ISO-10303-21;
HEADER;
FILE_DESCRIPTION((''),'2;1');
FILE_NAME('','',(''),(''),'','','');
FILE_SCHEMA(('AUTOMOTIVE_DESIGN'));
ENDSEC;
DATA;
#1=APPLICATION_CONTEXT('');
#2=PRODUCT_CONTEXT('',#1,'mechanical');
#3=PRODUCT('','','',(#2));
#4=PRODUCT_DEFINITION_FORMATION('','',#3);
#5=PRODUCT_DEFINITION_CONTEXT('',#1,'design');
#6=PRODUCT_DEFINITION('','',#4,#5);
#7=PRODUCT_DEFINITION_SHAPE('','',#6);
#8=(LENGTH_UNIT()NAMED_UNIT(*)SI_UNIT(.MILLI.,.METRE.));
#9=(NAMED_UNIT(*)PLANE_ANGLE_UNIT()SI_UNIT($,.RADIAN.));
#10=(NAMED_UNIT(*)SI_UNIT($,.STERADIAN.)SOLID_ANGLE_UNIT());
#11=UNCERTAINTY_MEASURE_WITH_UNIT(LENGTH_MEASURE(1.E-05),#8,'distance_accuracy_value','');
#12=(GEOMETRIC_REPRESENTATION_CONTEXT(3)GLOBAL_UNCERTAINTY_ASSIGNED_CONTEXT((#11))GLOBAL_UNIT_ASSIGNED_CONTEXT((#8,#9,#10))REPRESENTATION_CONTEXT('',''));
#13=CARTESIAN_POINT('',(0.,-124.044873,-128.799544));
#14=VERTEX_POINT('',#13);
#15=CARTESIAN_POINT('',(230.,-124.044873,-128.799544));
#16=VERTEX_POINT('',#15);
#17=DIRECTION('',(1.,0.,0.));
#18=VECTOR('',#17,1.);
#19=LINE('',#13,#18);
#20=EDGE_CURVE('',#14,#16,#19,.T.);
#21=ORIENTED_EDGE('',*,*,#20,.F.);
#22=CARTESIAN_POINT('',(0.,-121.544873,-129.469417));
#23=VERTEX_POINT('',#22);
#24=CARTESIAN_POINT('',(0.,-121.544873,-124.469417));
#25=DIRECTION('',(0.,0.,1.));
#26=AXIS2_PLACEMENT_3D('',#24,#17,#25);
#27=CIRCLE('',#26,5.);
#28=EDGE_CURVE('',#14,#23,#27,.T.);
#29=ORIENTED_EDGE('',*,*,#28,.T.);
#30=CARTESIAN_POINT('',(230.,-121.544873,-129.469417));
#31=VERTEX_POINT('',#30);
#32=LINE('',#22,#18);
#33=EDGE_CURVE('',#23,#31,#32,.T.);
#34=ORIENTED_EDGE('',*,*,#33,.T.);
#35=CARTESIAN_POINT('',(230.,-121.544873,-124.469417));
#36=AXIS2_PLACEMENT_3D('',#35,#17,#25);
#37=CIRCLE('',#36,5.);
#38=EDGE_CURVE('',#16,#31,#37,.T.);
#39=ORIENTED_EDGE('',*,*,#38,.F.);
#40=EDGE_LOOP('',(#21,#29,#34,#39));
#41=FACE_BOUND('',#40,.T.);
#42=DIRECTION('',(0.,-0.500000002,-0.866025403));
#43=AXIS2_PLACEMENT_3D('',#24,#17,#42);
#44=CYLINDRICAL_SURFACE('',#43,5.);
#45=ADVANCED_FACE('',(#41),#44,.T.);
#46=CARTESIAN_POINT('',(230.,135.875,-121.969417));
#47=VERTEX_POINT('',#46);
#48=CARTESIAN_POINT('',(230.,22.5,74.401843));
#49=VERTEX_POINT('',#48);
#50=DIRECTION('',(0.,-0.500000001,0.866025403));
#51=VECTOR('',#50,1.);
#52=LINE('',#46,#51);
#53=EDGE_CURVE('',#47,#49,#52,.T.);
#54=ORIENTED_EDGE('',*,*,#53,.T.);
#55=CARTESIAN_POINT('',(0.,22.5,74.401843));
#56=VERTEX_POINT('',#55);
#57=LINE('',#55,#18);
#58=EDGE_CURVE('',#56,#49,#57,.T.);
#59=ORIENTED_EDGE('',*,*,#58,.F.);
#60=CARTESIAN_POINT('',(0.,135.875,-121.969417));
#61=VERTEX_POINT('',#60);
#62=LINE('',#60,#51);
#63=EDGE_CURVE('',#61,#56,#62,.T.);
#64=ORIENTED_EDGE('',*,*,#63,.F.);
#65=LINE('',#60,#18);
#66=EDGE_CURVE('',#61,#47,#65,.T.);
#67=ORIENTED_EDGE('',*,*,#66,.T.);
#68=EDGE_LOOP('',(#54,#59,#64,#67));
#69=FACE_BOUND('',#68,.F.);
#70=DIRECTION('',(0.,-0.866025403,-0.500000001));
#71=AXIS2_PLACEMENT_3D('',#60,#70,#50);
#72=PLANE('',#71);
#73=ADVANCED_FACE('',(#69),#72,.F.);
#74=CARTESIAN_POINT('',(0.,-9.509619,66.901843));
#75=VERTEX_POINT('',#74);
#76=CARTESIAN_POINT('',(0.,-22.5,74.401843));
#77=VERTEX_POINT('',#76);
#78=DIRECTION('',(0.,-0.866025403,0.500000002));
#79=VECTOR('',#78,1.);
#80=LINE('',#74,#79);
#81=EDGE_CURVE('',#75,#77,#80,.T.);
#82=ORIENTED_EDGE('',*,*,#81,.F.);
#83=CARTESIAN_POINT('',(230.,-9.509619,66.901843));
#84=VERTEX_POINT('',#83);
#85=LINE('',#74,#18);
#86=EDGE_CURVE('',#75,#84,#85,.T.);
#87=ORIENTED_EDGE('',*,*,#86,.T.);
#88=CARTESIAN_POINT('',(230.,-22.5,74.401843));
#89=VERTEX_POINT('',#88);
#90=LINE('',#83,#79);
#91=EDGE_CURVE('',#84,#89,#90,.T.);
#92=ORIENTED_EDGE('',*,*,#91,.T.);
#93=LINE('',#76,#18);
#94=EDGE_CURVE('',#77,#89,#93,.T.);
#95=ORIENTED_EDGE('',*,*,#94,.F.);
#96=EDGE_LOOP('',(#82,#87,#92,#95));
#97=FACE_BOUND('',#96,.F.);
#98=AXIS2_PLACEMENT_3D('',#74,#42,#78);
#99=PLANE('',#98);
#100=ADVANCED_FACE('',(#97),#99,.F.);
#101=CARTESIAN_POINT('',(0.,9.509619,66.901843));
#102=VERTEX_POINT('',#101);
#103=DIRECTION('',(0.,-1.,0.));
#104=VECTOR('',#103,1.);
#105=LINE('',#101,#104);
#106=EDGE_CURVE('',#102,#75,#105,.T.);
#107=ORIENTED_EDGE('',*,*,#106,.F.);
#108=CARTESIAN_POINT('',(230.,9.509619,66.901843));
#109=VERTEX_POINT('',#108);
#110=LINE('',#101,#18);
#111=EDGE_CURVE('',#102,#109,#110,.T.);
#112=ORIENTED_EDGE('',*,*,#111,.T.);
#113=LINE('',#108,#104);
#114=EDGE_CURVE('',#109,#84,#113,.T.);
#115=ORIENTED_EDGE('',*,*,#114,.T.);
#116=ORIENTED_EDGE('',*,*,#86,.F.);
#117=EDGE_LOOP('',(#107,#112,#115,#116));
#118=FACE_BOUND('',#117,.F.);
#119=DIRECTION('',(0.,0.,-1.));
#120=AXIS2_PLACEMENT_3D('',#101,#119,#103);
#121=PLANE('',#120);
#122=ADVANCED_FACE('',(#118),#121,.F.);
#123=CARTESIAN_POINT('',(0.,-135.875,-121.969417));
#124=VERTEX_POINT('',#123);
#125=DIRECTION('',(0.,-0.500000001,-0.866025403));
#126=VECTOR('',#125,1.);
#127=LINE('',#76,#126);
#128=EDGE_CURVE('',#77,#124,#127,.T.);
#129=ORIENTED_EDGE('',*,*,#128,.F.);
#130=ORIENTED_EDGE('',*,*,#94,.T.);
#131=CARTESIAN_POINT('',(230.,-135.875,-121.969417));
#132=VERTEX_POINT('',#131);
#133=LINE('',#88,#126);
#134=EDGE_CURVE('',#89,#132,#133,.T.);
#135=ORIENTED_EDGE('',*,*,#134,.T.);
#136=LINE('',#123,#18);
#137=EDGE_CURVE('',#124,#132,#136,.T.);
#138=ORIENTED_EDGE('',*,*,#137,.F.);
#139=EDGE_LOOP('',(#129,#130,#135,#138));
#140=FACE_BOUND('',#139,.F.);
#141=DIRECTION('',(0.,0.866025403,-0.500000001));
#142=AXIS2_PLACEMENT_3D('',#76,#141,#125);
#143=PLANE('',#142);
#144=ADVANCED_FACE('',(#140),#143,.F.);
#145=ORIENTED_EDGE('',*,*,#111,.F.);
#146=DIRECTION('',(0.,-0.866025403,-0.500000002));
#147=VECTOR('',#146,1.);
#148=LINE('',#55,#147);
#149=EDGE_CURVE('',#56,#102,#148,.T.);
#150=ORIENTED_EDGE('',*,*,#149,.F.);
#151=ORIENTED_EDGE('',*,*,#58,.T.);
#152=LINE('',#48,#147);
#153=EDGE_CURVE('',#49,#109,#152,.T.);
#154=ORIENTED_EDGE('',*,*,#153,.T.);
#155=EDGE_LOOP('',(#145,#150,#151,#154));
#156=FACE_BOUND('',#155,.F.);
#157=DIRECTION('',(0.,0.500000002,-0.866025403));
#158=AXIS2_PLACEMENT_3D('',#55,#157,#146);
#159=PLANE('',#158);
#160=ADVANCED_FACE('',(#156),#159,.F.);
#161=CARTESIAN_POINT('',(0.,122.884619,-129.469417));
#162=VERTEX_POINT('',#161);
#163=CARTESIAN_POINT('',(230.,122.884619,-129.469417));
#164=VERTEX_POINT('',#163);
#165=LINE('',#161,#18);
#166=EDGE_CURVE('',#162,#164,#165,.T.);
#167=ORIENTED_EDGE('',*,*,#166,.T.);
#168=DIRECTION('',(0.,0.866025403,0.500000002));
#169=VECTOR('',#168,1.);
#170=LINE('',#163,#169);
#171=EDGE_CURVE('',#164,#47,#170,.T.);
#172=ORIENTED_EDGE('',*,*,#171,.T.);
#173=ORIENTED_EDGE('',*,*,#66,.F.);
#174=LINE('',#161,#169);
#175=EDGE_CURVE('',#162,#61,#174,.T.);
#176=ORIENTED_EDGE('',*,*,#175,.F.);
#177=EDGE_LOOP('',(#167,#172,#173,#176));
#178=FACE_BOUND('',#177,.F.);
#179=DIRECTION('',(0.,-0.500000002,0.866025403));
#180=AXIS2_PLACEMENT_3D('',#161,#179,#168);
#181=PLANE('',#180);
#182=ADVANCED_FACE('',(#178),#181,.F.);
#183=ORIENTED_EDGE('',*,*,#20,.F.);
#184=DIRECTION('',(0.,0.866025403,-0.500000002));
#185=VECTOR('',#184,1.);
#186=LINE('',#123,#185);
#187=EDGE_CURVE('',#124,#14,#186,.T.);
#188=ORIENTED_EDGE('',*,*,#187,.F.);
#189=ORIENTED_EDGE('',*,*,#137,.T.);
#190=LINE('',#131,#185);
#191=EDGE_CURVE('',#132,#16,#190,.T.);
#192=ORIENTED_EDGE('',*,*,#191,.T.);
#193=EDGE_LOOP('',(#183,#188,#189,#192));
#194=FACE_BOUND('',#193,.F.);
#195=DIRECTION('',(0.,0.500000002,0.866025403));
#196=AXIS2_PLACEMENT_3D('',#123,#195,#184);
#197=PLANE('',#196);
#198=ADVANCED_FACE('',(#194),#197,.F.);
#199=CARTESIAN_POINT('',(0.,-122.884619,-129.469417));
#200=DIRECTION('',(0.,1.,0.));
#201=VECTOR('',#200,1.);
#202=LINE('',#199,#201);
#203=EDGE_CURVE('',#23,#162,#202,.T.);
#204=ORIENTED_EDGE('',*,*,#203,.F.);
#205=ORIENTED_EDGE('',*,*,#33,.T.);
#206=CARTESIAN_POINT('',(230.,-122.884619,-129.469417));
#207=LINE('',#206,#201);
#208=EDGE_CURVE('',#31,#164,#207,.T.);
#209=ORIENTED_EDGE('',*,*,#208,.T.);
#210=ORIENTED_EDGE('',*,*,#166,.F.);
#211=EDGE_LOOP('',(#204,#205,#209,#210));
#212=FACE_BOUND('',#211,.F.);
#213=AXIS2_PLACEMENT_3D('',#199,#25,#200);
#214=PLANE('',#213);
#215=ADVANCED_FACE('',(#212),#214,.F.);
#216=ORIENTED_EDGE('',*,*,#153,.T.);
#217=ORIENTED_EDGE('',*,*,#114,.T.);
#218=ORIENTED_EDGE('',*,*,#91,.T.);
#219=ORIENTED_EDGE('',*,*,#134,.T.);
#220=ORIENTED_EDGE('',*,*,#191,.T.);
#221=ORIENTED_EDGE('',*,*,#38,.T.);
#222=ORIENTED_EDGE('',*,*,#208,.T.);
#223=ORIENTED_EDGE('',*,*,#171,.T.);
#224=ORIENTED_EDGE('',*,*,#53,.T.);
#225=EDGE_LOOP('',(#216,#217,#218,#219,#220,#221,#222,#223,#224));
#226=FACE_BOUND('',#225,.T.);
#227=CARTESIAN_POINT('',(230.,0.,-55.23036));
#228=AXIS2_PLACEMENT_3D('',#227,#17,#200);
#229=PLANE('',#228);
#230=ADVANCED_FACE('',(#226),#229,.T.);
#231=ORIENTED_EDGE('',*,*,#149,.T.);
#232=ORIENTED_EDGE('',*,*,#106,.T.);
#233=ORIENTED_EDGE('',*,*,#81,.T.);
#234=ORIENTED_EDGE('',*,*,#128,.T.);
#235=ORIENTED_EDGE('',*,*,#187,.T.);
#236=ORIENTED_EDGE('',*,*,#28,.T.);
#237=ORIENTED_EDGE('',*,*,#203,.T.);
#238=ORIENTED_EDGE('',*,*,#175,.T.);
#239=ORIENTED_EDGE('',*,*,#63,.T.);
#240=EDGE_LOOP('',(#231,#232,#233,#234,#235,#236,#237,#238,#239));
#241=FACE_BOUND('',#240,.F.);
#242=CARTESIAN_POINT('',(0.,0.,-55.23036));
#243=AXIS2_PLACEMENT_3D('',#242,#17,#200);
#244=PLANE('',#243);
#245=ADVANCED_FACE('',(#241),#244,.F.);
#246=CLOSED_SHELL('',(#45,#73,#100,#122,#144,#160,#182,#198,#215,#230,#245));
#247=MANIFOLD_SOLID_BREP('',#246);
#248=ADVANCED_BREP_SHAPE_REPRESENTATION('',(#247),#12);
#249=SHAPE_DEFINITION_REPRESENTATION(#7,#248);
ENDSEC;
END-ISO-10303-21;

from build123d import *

# Parameters (mm, degrees)
F1_DEPTH = 230
F3_DEPTH = 25
F4_R     = 5


with BuildPart() as f1:
    # F0 (on Right) → F1 (new body)
    with BuildSketch(Plane.YZ):
        Polygon((-2.82824, -129.469417), (2.82824, -129.469417), (122.884619, -129.469417), (135.875, -121.969417), (22.5, 74.401843), (9.509619, 66.901843), (0.683971, 66.901843), (-0.683971, 66.901843), (-9.509619, 66.901843), (-22.5, 74.401843), (-135.875, -121.969417), (-122.884619, -129.469417), align=None)
    extrude(amount=F1_DEPTH)

    # F2 (on face) → F3 (cut)
    with BuildSketch(Plane.XY.offset(66.901843)):
        with BuildLine():
            add(Edge.make_bspline(
                [(74.475423, 192.123339), (93.40541, 192.123339), (83.940416, 223.08819), (74.475423, 254.053041), (65.010429, 223.08819), (55.545435, 192.123339), (74.475423, 192.123339)],
                knots=[0, 0, 0, 2.094395, 2.094395, 4.18879, 4.18879, 6.283185, 6.283185, 6.283185], degree=2, weights=[1, 0.5, 1, 0.5, 1, 0.5, 1]))
        make_face()
        with BuildLine():
            add(Edge.make_bspline(
                [(46.182051, 277.124852), (64.905286, 277.124852), (55.543669, 308.636114), (46.182051, 340.147376), (36.820434, 308.636114), (27.458817, 277.124852), (46.182051, 277.124852)],
                knots=[0, 0, 0, 2.094395, 2.094395, 4.18879, 4.18879, 6.283185, 6.283185, 6.283185], degree=2, weights=[1, 0.5, 1, 0.5, 1, 0.5, 1]))
        make_face()
        with BuildLine():
            add(Edge.make_bspline(
                [(117.583334, 257.453084), (136.293949, 257.453084), (126.938642, 287.325025), (117.583334, 317.196965), (108.228027, 287.325025), (98.87272, 257.453084), (117.583334, 257.453084)],
                knots=[0, 0, 0, 2.094395, 2.094395, 4.18879, 4.18879, 6.283185, 6.283185, 6.283185], degree=2, weights=[1, 0.5, 1, 0.5, 1, 0.5, 1]))
        make_face()
        with BuildLine():
            add(Edge.make_bspline(
                [(184.613109, 237.902731), (202.257195, 237.902731), (193.435152, 268.685415), (184.613109, 299.4681), (175.791065, 268.685415), (166.969022, 237.902731), (184.613109, 237.902731)],
                knots=[0, 0, 0, 2.094395, 2.094395, 4.18879, 4.18879, 6.283185, 6.283185, 6.283185], degree=2, weights=[1, 0.5, 1, 0.5, 1, 0.5, 1]))
        make_face()
        with BuildLine():
            add(Edge.make_bspline(
                [(136.647969, 169.658646), (154.468386, 169.658646), (145.558178, 199.894898), (136.647969, 230.131149), (127.737761, 199.894898), (118.827553, 169.658646), (136.647969, 169.658646)],
                knots=[0, 0, 0, 2.094395, 2.094395, 4.18879, 4.18879, 6.283185, 6.283185, 6.283185], degree=2, weights=[1, 0.5, 1, 0.5, 1, 0.5, 1]))
        make_face()
        with BuildLine():
            add(Edge.make_bspline(
                [(46.182051, -277.124852), (27.458817, -277.124852), (36.820434, -308.636114), (46.182051, -340.147376), (55.543669, -308.636114), (64.905286, -277.124852), (46.182051, -277.124852)],
                knots=[0, 0, 0, 2.094395, 2.094395, 4.18879, 4.18879, 6.283185, 6.283185, 6.283185], degree=2, weights=[1, 0.5, 1, 0.5, 1, 0.5, 1]))
        make_face()
        with BuildLine():
            add(Edge.make_bspline(
                [(74.475423, -192.123339), (55.545435, -192.123339), (65.010429, -223.08819), (74.475423, -254.053041), (83.940416, -223.08819), (93.40541, -192.123339), (74.475423, -192.123339)],
                knots=[0, 0, 0, 2.094395, 2.094395, 4.18879, 4.18879, 6.283185, 6.283185, 6.283185], degree=2, weights=[1, 0.5, 1, 0.5, 1, 0.5, 1]))
        make_face()
        with BuildLine():
            add(Edge.make_bspline(
                [(136.647969, -169.658646), (118.827553, -169.658646), (127.737761, -199.894898), (136.647969, -230.131149), (145.558178, -199.894898), (154.468386, -169.658646), (136.647969, -169.658646)],
                knots=[0, 0, 0, 2.094395, 2.094395, 4.18879, 4.18879, 6.283185, 6.283185, 6.283185], degree=2, weights=[1, 0.5, 1, 0.5, 1, 0.5, 1]))
        make_face()
        with BuildLine():
            add(Edge.make_bspline(
                [(117.583334, -257.453084), (98.87272, -257.453084), (108.228027, -287.325025), (117.583334, -317.196965), (126.938642, -287.325025), (136.293949, -257.453084), (117.583334, -257.453084)],
                knots=[0, 0, 0, 2.094395, 2.094395, 4.18879, 4.18879, 6.283185, 6.283185, 6.283185], degree=2, weights=[1, 0.5, 1, 0.5, 1, 0.5, 1]))
        make_face()
        with BuildLine():
            add(Edge.make_bspline(
                [(184.613109, -237.902731), (166.969022, -237.902731), (175.791065, -268.685415), (184.613109, -299.4681), (193.435152, -268.685415), (202.257195, -237.902731), (184.613109, -237.902731)],
                knots=[0, 0, 0, 2.094395, 2.094395, 4.18879, 4.18879, 6.283185, 6.283185, 6.283185], degree=2, weights=[1, 0.5, 1, 0.5, 1, 0.5, 1]))
        make_face()
    extrude(amount=-F3_DEPTH, mode=Mode.SUBTRACT)

    # F4
    f4_edges = [f1.edges().sort_by_distance(p)[0] for p in [
        (115, -122.884619, -129.469417),
    ]]
    fillet(f4_edges, radius=F4_R)


solid = f1.part
